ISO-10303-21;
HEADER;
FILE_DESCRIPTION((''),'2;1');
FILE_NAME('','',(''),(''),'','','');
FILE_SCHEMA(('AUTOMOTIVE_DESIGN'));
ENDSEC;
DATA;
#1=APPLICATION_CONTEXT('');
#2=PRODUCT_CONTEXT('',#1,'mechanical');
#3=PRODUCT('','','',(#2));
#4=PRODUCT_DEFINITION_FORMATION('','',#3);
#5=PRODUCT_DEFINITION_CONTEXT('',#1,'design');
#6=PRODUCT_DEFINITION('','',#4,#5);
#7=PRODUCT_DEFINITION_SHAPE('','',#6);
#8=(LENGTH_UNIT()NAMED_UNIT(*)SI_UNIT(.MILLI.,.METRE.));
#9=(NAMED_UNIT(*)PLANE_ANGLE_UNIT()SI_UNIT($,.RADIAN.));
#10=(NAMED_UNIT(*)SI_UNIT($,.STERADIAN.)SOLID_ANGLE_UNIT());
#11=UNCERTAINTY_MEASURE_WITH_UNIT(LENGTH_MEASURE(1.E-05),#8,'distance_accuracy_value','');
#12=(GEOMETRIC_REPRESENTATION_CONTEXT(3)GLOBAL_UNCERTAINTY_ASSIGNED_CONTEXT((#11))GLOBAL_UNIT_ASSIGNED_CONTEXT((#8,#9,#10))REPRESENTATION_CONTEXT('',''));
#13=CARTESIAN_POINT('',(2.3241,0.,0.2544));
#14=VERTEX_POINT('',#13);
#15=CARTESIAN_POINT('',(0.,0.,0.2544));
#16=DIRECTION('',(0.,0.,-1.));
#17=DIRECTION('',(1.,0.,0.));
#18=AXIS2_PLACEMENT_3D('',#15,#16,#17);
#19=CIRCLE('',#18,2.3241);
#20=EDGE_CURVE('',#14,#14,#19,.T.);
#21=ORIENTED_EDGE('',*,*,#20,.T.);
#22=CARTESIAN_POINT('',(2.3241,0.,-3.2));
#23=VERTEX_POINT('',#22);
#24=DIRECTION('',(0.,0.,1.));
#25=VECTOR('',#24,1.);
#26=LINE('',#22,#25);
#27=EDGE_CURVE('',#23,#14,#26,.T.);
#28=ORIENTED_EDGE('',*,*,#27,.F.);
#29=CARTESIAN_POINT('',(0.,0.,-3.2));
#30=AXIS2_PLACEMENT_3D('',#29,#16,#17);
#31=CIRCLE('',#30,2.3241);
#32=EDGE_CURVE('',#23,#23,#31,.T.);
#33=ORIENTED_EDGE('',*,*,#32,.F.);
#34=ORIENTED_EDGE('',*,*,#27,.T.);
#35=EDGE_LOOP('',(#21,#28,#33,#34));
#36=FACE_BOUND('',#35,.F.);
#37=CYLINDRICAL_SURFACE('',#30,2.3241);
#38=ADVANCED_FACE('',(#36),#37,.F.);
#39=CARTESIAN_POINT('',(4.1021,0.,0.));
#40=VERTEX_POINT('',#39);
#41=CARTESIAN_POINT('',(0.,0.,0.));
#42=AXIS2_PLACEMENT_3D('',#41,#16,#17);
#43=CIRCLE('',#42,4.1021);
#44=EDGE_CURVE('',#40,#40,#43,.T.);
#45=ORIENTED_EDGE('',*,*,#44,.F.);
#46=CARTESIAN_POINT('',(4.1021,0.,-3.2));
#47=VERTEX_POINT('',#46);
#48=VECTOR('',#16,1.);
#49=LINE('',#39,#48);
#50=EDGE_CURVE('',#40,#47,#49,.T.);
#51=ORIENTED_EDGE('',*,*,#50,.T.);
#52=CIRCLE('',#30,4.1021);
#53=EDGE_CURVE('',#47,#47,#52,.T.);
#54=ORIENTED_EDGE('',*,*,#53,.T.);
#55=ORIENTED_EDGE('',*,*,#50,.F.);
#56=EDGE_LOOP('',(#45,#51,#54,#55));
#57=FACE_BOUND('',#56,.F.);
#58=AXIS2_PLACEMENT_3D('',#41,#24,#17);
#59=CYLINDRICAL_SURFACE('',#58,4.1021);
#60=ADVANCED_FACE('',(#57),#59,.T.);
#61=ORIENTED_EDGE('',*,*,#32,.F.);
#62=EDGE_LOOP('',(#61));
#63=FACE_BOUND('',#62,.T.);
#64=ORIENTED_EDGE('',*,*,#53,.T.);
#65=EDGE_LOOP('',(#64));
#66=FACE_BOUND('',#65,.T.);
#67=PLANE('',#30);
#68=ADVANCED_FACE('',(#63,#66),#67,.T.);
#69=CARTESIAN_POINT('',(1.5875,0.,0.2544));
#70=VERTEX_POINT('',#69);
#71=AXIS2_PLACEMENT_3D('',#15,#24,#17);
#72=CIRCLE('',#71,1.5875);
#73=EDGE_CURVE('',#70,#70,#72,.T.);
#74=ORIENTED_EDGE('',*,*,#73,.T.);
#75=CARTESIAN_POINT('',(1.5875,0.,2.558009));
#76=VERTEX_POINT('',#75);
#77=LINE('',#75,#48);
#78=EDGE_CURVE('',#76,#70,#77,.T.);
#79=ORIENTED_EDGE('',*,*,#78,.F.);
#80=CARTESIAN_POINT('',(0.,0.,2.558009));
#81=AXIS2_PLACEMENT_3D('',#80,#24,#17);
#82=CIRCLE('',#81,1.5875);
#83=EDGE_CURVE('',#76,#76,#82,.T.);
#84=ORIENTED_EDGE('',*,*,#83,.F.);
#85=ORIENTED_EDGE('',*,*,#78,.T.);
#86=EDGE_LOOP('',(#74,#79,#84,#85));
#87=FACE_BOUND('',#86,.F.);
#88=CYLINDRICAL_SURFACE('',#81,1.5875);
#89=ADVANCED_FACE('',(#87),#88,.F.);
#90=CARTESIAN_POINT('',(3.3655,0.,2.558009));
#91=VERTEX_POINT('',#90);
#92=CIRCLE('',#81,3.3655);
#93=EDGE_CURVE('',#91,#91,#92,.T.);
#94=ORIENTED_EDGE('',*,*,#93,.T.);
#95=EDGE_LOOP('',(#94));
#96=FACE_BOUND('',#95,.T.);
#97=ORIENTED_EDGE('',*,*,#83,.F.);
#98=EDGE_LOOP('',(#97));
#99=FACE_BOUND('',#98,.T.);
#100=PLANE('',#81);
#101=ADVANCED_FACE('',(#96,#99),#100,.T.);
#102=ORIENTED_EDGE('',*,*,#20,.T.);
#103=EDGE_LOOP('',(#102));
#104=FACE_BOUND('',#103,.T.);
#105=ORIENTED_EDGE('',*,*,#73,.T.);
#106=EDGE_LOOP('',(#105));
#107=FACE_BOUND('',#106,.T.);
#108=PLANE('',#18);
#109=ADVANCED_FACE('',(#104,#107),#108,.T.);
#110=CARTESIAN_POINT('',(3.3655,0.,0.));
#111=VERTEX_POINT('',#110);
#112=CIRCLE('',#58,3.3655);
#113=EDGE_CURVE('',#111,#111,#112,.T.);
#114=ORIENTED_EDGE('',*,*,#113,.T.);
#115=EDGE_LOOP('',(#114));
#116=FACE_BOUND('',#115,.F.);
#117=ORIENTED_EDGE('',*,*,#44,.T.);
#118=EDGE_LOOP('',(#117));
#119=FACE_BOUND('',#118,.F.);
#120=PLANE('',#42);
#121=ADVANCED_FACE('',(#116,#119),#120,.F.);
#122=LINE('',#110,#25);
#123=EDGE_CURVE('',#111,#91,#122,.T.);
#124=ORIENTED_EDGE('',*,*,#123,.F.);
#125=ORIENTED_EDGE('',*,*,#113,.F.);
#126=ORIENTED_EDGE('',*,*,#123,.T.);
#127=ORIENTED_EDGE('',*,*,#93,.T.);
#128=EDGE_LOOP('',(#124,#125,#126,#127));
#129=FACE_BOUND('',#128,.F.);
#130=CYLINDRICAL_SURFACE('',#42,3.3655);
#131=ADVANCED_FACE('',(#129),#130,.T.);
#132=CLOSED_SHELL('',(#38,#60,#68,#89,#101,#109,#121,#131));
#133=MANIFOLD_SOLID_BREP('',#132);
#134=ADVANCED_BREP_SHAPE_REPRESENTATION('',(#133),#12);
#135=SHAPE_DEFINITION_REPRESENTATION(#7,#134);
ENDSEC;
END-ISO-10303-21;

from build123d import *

# Parameters (mm, degrees)
F0_R     = 3.3655
F1_DEPTH = 2.558009
F2_R     = 4.1021
F3_DEPTH = 3.2
F4_R     = 2.3241
F5_DEPTH = 3.4544
F6_R     = 1.5875
F7_DEPTH = 7.62


with BuildPart() as f1:
    # F0 (on Top) → F1 (new body)
    with BuildSketch(Plane.XY):
        Circle(F0_R)
    extrude(amount=F1_DEPTH)

    # F2 (on face) → F3 (join)
    with BuildSketch(Plane(origin=(0, 0, 0), x_dir=(1, 0, 0), z_dir=(0, 0, -1))):
        Circle(F2_R)
    extrude(amount=F3_DEPTH)

    # F4 (on face) → F5 (cut)
    with BuildSketch(Plane(origin=(0, 0, -3.2), x_dir=(1, 0, 0), z_dir=(0, 0, -1))):
        Circle(F4_R)
    extrude(amount=-F5_DEPTH, mode=Mode.SUBTRACT)

    # F6 (on face) → F7 (cut)
    with BuildSketch(Plane.XY.offset(2.558009)):
        Circle(F6_R)
    extrude(amount=-F7_DEPTH, mode=Mode.SUBTRACT)


solid = f1.part
